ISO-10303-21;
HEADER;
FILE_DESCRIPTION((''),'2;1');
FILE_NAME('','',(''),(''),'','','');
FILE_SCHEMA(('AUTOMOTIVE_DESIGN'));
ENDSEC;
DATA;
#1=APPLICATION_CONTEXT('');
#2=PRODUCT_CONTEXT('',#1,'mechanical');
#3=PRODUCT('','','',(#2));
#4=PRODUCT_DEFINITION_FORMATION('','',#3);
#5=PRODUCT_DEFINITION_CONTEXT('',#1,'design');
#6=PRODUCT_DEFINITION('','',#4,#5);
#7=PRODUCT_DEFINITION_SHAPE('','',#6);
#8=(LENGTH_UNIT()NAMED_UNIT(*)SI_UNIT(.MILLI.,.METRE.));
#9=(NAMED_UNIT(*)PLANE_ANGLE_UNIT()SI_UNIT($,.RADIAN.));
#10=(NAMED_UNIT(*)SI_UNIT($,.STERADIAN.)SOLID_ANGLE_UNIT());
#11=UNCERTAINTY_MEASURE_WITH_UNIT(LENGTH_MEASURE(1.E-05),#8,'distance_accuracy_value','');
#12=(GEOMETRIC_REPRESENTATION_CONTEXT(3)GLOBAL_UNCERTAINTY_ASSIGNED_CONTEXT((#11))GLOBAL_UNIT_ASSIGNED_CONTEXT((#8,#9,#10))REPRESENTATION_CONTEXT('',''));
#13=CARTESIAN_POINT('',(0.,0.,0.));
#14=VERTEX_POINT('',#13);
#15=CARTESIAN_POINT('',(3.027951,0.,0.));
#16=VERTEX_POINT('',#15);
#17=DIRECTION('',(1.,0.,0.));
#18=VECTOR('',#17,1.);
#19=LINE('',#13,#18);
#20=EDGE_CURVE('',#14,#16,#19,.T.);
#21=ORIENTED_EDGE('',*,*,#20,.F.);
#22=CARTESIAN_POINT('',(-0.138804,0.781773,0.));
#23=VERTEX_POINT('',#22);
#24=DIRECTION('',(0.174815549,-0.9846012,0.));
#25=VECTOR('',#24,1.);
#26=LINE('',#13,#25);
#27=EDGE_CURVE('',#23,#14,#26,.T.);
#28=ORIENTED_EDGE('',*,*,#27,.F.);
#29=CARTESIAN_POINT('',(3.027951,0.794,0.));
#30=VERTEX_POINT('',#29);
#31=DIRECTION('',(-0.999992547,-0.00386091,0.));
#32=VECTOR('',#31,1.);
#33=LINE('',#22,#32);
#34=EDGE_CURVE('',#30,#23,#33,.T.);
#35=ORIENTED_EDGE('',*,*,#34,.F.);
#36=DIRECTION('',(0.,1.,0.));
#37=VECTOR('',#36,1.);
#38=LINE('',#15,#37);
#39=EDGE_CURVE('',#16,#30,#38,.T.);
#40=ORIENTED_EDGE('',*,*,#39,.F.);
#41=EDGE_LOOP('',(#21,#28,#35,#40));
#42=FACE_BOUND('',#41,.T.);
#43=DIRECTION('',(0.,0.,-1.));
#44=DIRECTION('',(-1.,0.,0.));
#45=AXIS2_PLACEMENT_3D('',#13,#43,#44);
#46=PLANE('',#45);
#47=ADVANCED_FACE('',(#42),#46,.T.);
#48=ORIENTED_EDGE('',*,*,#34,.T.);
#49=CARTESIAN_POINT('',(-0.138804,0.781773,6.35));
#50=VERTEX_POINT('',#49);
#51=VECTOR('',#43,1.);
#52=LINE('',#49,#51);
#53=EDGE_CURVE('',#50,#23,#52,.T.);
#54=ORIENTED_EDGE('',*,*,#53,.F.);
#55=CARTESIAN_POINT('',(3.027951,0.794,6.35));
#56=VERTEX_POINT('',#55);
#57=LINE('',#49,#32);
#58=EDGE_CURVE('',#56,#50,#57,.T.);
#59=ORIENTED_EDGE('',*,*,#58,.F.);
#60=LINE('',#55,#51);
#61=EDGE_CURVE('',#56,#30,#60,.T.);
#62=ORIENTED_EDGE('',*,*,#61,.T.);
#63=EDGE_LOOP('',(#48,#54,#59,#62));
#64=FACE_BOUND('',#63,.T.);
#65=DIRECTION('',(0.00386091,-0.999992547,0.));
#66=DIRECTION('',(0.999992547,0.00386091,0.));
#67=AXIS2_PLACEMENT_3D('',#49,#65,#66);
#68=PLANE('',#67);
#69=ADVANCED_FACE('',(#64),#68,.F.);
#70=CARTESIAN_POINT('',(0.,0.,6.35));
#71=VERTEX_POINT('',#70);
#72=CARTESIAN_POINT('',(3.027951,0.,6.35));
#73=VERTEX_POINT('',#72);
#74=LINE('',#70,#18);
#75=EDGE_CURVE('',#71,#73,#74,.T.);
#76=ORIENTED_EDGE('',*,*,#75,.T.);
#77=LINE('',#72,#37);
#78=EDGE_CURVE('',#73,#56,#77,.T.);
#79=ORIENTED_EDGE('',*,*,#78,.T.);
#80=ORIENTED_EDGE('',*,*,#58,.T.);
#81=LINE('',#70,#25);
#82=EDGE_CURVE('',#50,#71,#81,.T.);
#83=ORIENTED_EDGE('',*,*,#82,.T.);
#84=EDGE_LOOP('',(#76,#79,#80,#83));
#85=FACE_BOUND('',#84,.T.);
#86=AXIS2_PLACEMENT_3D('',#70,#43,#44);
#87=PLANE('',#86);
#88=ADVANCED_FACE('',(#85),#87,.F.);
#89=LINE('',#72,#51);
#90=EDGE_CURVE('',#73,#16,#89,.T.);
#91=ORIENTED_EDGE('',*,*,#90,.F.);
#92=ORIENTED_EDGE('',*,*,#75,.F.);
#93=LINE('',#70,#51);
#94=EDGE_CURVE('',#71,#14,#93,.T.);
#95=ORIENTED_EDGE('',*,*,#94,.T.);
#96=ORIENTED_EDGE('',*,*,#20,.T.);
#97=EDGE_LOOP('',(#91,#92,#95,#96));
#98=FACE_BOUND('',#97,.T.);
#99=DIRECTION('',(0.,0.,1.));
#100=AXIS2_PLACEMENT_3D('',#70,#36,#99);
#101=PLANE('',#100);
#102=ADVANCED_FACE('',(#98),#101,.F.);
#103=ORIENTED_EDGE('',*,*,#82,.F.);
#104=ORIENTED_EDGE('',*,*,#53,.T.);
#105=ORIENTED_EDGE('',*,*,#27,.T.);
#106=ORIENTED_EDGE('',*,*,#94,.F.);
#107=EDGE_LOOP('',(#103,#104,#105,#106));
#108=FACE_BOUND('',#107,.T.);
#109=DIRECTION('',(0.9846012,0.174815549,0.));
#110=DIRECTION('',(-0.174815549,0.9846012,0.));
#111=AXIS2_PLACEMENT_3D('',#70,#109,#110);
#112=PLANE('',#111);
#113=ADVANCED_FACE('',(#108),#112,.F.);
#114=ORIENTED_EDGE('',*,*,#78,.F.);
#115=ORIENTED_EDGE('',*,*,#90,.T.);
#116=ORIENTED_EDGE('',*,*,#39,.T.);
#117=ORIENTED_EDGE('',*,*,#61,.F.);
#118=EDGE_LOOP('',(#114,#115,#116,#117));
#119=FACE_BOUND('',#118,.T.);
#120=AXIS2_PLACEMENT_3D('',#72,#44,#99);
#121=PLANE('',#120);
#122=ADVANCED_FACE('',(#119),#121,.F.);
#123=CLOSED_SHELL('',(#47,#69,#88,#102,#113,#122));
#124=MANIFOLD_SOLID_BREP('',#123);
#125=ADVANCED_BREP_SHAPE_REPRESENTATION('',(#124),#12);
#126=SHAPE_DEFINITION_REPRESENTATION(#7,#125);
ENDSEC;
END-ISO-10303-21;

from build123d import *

# Parameters (mm, degrees)
BOSS_EXTRUDE1_DEPTH = 6.35


with BuildPart() as part:
    # Sketch1 → Boss-Extrude1 (new body)
    with BuildSketch(Plane.XY):
        Polygon((0, 0), (3.02795104, 0), (3.02795104, 0.794), (-0.138803546, 0.781773353), align=None)
    extrude(amount=BOSS_EXTRUDE1_DEPTH)


solid = part.part
